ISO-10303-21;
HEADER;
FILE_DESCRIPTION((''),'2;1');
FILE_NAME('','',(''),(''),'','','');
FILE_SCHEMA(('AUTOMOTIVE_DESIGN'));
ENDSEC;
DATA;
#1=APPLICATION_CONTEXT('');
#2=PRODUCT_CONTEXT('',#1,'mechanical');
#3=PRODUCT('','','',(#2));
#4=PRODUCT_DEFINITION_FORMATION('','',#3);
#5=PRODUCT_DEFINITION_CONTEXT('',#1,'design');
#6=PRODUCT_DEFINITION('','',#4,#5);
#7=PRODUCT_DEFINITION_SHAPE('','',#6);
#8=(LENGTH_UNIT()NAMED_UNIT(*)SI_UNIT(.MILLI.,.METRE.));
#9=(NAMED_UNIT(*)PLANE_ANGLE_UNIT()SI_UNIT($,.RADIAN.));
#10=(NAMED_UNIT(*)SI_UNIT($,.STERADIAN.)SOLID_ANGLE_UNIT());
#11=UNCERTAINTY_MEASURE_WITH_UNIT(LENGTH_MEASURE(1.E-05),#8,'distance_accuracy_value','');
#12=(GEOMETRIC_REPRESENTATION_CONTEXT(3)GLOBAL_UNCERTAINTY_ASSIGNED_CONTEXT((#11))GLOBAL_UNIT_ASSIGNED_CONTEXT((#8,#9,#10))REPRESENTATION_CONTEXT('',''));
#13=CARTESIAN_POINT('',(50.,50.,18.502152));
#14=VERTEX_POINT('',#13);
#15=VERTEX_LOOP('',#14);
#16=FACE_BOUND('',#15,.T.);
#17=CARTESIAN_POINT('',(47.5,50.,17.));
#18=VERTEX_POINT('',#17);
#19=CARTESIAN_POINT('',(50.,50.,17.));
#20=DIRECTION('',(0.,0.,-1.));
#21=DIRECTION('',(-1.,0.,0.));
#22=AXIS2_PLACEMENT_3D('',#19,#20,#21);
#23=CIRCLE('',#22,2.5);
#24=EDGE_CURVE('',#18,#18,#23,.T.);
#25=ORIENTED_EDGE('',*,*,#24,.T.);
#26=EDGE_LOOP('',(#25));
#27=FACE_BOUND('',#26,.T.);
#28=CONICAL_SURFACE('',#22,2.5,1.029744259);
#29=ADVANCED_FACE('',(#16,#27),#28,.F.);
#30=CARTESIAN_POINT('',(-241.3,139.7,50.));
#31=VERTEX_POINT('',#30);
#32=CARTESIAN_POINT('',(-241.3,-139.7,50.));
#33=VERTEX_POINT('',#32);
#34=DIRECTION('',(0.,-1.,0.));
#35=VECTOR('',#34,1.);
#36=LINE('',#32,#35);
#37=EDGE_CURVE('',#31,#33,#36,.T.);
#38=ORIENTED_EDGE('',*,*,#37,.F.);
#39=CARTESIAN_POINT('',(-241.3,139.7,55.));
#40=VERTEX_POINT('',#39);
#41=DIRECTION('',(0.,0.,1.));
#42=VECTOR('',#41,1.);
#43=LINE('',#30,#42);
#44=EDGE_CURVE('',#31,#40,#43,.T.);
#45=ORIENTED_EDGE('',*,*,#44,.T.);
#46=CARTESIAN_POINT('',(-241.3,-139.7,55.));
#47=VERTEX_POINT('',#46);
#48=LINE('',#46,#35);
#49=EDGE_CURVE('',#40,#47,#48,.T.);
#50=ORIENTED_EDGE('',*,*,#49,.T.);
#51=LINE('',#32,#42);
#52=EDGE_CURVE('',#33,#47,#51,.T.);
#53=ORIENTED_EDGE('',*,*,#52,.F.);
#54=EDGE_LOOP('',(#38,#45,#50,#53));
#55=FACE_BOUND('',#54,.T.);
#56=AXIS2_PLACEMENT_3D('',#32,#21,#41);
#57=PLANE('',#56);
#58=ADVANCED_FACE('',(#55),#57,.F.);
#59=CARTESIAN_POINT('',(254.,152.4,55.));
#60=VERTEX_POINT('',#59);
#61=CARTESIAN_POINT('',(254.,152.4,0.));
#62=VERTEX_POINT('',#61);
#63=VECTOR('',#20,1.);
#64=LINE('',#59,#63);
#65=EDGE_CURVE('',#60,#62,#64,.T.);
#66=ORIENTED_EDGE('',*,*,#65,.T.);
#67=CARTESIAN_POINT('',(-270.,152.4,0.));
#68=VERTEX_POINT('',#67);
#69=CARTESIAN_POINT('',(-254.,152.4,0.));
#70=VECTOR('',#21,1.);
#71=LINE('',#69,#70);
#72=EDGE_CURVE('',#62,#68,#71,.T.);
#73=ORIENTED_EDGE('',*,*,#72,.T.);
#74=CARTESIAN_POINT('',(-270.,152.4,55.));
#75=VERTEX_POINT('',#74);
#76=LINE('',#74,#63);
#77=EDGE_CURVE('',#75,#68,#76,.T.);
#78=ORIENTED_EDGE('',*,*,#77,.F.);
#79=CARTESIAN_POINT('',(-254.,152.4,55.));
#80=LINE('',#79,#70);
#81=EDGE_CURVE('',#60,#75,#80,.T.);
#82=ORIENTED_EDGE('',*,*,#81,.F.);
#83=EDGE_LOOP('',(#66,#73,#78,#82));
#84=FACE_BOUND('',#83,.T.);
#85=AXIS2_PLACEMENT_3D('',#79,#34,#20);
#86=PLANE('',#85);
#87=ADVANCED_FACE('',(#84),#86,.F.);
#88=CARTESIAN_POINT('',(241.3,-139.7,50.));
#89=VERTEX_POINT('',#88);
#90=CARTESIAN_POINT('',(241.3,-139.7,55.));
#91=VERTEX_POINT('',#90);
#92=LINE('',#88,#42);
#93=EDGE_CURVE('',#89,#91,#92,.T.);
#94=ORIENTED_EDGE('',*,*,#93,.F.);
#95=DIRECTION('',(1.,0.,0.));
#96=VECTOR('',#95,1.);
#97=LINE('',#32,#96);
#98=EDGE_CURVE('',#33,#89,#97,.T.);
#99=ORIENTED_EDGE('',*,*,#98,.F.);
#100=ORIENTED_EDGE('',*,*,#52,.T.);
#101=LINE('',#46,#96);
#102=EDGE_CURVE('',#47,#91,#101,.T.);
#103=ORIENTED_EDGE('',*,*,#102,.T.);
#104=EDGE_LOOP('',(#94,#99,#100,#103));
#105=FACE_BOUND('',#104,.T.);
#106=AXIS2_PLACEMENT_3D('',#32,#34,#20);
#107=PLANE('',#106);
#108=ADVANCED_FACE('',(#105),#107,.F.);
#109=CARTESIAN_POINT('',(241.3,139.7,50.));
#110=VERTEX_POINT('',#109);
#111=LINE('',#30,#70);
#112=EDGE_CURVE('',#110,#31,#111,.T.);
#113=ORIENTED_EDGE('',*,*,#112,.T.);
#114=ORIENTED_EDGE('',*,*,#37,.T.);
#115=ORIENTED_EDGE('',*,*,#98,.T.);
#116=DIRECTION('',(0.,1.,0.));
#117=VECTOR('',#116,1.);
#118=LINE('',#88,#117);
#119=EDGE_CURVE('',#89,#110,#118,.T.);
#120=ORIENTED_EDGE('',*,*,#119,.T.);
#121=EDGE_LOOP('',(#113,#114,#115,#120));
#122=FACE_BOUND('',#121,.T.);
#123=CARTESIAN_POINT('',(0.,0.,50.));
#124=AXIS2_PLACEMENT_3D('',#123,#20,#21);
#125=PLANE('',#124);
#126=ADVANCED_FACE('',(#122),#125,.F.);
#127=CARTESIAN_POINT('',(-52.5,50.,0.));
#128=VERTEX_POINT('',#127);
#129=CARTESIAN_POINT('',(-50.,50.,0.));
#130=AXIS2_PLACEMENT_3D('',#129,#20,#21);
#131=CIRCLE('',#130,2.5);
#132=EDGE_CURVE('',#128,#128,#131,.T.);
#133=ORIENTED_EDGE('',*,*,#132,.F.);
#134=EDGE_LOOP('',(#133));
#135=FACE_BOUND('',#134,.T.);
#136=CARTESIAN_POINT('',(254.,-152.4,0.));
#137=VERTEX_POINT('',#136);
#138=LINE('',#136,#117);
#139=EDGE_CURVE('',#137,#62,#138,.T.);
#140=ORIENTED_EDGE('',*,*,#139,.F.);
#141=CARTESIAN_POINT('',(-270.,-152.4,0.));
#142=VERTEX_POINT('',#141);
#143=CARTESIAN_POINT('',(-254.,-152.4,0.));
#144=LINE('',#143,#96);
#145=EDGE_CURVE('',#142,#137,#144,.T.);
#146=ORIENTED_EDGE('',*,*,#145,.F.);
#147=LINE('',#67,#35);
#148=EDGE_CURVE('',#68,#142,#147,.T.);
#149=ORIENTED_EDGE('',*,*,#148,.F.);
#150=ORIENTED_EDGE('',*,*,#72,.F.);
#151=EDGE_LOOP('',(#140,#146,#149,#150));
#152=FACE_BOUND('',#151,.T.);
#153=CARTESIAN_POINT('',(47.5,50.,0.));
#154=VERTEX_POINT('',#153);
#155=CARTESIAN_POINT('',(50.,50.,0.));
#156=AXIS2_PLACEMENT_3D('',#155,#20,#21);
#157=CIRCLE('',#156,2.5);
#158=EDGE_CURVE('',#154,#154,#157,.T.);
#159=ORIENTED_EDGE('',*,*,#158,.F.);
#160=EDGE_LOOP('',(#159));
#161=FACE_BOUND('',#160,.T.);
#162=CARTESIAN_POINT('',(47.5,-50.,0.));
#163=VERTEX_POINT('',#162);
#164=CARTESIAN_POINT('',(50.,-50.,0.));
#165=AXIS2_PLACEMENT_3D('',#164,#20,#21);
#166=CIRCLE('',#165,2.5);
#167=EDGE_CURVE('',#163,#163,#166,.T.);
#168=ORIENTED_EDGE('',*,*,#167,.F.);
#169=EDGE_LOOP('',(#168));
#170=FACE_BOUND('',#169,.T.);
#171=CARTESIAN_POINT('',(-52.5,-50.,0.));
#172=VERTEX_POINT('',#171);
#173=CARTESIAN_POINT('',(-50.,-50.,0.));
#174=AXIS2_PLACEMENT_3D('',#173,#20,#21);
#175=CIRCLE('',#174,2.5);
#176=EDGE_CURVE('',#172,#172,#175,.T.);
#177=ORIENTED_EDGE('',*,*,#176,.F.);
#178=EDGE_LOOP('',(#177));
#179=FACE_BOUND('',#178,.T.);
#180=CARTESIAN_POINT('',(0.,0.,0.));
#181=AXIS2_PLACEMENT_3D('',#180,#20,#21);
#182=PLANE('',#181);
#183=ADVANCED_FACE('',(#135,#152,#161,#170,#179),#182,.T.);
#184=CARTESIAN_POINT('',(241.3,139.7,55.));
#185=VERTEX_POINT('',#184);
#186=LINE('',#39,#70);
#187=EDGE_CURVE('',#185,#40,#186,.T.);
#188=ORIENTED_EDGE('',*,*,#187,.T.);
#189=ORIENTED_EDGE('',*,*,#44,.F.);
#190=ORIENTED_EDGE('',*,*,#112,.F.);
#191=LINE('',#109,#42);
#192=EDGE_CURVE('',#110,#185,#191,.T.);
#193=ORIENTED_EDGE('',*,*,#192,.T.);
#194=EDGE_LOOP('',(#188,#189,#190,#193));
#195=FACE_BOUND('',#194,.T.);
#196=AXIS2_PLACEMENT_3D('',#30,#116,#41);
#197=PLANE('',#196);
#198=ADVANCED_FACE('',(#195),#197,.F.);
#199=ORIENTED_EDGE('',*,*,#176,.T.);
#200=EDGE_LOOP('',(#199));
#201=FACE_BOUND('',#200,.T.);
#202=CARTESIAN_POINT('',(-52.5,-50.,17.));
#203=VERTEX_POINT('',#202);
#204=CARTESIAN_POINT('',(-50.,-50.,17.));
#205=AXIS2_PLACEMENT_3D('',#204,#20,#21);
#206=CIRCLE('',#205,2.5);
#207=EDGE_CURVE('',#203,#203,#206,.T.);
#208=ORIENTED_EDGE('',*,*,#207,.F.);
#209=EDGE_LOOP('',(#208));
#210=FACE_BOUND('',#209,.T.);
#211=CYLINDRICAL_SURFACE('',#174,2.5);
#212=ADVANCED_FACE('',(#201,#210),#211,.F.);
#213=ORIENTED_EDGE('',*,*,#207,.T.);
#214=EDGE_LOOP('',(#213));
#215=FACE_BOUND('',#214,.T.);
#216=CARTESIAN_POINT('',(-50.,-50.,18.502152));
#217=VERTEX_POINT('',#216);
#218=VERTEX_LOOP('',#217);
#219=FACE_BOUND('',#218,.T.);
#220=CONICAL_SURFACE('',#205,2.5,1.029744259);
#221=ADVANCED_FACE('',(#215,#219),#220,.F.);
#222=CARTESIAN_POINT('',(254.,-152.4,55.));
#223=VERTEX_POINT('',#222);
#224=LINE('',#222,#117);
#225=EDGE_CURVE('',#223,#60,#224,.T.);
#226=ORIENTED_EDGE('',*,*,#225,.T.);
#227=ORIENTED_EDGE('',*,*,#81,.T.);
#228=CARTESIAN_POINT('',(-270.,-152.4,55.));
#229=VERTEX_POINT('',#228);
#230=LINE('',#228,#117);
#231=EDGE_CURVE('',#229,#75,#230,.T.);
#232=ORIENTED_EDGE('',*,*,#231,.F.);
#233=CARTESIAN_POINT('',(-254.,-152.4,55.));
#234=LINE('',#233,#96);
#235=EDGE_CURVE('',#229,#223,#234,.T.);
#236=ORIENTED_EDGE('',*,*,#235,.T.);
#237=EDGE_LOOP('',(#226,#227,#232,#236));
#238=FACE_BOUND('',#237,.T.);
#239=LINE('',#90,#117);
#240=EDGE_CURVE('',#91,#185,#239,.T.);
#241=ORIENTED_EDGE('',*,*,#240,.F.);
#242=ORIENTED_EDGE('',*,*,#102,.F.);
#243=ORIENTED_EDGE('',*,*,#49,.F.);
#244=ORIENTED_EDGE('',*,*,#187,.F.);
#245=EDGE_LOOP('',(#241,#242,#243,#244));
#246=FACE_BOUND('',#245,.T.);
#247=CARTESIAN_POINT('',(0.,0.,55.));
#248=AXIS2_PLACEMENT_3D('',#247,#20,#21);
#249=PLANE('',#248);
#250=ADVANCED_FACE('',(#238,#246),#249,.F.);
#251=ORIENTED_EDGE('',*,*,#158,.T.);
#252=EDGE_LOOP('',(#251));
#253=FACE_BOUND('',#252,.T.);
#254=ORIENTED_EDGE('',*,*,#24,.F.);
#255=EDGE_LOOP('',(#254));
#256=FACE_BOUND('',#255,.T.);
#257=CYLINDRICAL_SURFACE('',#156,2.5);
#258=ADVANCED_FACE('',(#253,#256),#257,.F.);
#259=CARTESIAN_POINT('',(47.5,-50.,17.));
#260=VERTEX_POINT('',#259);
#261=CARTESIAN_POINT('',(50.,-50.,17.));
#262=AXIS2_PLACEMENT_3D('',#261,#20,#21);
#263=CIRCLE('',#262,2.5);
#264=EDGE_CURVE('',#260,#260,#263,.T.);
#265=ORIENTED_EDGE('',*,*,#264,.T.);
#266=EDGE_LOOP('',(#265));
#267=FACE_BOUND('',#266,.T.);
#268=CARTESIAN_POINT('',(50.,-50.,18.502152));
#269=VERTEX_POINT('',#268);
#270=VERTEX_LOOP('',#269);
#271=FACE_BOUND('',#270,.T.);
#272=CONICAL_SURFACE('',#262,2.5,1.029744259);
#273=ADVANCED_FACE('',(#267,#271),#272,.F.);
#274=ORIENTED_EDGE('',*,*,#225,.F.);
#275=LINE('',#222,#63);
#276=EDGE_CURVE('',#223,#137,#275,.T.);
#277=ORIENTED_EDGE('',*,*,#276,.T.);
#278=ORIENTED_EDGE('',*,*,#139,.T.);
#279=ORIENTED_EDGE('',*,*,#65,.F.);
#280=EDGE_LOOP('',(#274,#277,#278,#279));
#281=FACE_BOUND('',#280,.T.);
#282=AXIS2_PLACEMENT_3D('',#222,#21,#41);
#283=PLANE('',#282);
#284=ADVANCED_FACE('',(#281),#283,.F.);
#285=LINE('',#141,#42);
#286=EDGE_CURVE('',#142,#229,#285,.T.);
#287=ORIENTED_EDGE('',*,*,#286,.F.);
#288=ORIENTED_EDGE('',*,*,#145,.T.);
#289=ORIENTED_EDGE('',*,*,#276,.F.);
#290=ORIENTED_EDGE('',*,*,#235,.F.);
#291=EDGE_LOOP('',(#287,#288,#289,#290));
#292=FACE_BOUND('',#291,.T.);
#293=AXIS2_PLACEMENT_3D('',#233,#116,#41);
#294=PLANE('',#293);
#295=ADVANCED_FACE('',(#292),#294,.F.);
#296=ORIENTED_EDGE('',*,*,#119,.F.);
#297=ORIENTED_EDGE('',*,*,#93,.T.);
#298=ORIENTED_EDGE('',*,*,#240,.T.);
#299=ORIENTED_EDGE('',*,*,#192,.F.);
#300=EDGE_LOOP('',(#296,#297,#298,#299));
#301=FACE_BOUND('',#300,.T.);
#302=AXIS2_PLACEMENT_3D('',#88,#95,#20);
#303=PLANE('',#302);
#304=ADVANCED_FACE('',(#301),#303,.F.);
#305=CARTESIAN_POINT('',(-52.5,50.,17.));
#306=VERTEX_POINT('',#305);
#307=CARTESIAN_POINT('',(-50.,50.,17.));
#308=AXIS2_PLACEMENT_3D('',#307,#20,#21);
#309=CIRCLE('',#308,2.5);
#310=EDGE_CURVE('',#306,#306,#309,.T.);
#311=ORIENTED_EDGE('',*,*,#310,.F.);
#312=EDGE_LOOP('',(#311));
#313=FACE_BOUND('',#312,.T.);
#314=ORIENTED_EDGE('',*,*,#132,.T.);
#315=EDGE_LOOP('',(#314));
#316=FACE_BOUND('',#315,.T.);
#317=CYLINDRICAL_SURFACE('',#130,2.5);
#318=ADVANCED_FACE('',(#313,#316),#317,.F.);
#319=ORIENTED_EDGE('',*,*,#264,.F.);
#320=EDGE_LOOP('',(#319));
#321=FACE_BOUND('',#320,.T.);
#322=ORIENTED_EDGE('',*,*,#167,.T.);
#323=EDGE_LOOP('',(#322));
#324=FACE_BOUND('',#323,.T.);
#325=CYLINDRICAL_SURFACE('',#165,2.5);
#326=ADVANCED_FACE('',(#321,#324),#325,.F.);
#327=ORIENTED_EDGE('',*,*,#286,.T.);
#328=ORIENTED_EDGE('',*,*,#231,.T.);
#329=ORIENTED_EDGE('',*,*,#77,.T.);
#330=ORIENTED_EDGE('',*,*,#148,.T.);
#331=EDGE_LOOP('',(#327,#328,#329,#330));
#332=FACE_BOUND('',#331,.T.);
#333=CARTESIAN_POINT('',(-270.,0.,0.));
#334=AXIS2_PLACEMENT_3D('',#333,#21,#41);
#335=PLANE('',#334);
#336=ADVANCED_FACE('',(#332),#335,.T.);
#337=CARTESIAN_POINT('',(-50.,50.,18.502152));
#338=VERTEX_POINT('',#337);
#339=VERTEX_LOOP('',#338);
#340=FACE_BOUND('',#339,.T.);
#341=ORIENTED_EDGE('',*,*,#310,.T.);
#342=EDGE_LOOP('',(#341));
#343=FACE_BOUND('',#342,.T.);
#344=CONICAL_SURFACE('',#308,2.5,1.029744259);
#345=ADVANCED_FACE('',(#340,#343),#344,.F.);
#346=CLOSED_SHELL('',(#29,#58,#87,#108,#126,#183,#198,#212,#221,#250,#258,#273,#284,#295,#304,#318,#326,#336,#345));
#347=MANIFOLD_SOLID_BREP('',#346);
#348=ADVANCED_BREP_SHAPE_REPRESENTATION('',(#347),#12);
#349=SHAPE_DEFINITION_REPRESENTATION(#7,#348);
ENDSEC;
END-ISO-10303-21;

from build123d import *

# Parameters (mm, degrees)
SKETCH2_W                 = 508
SKETCH2_H                 = 304.8
BOSS_EXTRUDE1_DEPTH       = 55
M6X1_0_TAPPED_HOLE1_D     = 5
M6X1_0_TAPPED_HOLE1_DEPTH = 17
M6X1_0_TAPPED_HOLE1_TIP   = 1.502151548
SKETCH6_W                 = 482.6
SKETCH6_H                 = 279.4
CUT_EXTRUDE1_DEPTH        = 5
SKETCH7_W                 = 55
SKETCH7_H                 = 304.8
BOSS_EXTRUDE2_DEPTH       = 16


with BuildPart() as part:
    # Sketch2 → Boss-Extrude1 (new body)
    with BuildSketch(Plane.XY):
        Rectangle(SKETCH2_W, SKETCH2_H)
    extrude(amount=BOSS_EXTRUDE1_DEPTH)

    # M6x1.0 Tapped Hole1
    with Locations(Plane(origin=(0, 0, 0), x_dir=(-1, 0, 0), z_dir=(0, 0, -1))):
        with Locations((50, 50), (-50, -50), (-50, 50), (50, -50)):
            Hole(M6X1_0_TAPPED_HOLE1_D / 2, depth=M6X1_0_TAPPED_HOLE1_DEPTH)
            with Locations((0, 0, -(M6X1_0_TAPPED_HOLE1_DEPTH + M6X1_0_TAPPED_HOLE1_TIP / 2))):  # 118° drill point
                Cone(0, M6X1_0_TAPPED_HOLE1_D / 2, M6X1_0_TAPPED_HOLE1_TIP, mode=Mode.SUBTRACT)

    # Sketch6 → Cut-Extrude1 (cut)
    with BuildSketch(Plane.XY.offset(55)):
        Rectangle(SKETCH6_W, SKETCH6_H)
    extrude(amount=-CUT_EXTRUDE1_DEPTH, mode=Mode.SUBTRACT)

    # Sketch7 → Boss-Extrude2 (add)
    with BuildSketch(Plane.ZY.offset(254)):
        with Locations((27.5, 0)):
            Rectangle(SKETCH7_W, SKETCH7_H)
    extrude(amount=BOSS_EXTRUDE2_DEPTH)


solid = part.part
